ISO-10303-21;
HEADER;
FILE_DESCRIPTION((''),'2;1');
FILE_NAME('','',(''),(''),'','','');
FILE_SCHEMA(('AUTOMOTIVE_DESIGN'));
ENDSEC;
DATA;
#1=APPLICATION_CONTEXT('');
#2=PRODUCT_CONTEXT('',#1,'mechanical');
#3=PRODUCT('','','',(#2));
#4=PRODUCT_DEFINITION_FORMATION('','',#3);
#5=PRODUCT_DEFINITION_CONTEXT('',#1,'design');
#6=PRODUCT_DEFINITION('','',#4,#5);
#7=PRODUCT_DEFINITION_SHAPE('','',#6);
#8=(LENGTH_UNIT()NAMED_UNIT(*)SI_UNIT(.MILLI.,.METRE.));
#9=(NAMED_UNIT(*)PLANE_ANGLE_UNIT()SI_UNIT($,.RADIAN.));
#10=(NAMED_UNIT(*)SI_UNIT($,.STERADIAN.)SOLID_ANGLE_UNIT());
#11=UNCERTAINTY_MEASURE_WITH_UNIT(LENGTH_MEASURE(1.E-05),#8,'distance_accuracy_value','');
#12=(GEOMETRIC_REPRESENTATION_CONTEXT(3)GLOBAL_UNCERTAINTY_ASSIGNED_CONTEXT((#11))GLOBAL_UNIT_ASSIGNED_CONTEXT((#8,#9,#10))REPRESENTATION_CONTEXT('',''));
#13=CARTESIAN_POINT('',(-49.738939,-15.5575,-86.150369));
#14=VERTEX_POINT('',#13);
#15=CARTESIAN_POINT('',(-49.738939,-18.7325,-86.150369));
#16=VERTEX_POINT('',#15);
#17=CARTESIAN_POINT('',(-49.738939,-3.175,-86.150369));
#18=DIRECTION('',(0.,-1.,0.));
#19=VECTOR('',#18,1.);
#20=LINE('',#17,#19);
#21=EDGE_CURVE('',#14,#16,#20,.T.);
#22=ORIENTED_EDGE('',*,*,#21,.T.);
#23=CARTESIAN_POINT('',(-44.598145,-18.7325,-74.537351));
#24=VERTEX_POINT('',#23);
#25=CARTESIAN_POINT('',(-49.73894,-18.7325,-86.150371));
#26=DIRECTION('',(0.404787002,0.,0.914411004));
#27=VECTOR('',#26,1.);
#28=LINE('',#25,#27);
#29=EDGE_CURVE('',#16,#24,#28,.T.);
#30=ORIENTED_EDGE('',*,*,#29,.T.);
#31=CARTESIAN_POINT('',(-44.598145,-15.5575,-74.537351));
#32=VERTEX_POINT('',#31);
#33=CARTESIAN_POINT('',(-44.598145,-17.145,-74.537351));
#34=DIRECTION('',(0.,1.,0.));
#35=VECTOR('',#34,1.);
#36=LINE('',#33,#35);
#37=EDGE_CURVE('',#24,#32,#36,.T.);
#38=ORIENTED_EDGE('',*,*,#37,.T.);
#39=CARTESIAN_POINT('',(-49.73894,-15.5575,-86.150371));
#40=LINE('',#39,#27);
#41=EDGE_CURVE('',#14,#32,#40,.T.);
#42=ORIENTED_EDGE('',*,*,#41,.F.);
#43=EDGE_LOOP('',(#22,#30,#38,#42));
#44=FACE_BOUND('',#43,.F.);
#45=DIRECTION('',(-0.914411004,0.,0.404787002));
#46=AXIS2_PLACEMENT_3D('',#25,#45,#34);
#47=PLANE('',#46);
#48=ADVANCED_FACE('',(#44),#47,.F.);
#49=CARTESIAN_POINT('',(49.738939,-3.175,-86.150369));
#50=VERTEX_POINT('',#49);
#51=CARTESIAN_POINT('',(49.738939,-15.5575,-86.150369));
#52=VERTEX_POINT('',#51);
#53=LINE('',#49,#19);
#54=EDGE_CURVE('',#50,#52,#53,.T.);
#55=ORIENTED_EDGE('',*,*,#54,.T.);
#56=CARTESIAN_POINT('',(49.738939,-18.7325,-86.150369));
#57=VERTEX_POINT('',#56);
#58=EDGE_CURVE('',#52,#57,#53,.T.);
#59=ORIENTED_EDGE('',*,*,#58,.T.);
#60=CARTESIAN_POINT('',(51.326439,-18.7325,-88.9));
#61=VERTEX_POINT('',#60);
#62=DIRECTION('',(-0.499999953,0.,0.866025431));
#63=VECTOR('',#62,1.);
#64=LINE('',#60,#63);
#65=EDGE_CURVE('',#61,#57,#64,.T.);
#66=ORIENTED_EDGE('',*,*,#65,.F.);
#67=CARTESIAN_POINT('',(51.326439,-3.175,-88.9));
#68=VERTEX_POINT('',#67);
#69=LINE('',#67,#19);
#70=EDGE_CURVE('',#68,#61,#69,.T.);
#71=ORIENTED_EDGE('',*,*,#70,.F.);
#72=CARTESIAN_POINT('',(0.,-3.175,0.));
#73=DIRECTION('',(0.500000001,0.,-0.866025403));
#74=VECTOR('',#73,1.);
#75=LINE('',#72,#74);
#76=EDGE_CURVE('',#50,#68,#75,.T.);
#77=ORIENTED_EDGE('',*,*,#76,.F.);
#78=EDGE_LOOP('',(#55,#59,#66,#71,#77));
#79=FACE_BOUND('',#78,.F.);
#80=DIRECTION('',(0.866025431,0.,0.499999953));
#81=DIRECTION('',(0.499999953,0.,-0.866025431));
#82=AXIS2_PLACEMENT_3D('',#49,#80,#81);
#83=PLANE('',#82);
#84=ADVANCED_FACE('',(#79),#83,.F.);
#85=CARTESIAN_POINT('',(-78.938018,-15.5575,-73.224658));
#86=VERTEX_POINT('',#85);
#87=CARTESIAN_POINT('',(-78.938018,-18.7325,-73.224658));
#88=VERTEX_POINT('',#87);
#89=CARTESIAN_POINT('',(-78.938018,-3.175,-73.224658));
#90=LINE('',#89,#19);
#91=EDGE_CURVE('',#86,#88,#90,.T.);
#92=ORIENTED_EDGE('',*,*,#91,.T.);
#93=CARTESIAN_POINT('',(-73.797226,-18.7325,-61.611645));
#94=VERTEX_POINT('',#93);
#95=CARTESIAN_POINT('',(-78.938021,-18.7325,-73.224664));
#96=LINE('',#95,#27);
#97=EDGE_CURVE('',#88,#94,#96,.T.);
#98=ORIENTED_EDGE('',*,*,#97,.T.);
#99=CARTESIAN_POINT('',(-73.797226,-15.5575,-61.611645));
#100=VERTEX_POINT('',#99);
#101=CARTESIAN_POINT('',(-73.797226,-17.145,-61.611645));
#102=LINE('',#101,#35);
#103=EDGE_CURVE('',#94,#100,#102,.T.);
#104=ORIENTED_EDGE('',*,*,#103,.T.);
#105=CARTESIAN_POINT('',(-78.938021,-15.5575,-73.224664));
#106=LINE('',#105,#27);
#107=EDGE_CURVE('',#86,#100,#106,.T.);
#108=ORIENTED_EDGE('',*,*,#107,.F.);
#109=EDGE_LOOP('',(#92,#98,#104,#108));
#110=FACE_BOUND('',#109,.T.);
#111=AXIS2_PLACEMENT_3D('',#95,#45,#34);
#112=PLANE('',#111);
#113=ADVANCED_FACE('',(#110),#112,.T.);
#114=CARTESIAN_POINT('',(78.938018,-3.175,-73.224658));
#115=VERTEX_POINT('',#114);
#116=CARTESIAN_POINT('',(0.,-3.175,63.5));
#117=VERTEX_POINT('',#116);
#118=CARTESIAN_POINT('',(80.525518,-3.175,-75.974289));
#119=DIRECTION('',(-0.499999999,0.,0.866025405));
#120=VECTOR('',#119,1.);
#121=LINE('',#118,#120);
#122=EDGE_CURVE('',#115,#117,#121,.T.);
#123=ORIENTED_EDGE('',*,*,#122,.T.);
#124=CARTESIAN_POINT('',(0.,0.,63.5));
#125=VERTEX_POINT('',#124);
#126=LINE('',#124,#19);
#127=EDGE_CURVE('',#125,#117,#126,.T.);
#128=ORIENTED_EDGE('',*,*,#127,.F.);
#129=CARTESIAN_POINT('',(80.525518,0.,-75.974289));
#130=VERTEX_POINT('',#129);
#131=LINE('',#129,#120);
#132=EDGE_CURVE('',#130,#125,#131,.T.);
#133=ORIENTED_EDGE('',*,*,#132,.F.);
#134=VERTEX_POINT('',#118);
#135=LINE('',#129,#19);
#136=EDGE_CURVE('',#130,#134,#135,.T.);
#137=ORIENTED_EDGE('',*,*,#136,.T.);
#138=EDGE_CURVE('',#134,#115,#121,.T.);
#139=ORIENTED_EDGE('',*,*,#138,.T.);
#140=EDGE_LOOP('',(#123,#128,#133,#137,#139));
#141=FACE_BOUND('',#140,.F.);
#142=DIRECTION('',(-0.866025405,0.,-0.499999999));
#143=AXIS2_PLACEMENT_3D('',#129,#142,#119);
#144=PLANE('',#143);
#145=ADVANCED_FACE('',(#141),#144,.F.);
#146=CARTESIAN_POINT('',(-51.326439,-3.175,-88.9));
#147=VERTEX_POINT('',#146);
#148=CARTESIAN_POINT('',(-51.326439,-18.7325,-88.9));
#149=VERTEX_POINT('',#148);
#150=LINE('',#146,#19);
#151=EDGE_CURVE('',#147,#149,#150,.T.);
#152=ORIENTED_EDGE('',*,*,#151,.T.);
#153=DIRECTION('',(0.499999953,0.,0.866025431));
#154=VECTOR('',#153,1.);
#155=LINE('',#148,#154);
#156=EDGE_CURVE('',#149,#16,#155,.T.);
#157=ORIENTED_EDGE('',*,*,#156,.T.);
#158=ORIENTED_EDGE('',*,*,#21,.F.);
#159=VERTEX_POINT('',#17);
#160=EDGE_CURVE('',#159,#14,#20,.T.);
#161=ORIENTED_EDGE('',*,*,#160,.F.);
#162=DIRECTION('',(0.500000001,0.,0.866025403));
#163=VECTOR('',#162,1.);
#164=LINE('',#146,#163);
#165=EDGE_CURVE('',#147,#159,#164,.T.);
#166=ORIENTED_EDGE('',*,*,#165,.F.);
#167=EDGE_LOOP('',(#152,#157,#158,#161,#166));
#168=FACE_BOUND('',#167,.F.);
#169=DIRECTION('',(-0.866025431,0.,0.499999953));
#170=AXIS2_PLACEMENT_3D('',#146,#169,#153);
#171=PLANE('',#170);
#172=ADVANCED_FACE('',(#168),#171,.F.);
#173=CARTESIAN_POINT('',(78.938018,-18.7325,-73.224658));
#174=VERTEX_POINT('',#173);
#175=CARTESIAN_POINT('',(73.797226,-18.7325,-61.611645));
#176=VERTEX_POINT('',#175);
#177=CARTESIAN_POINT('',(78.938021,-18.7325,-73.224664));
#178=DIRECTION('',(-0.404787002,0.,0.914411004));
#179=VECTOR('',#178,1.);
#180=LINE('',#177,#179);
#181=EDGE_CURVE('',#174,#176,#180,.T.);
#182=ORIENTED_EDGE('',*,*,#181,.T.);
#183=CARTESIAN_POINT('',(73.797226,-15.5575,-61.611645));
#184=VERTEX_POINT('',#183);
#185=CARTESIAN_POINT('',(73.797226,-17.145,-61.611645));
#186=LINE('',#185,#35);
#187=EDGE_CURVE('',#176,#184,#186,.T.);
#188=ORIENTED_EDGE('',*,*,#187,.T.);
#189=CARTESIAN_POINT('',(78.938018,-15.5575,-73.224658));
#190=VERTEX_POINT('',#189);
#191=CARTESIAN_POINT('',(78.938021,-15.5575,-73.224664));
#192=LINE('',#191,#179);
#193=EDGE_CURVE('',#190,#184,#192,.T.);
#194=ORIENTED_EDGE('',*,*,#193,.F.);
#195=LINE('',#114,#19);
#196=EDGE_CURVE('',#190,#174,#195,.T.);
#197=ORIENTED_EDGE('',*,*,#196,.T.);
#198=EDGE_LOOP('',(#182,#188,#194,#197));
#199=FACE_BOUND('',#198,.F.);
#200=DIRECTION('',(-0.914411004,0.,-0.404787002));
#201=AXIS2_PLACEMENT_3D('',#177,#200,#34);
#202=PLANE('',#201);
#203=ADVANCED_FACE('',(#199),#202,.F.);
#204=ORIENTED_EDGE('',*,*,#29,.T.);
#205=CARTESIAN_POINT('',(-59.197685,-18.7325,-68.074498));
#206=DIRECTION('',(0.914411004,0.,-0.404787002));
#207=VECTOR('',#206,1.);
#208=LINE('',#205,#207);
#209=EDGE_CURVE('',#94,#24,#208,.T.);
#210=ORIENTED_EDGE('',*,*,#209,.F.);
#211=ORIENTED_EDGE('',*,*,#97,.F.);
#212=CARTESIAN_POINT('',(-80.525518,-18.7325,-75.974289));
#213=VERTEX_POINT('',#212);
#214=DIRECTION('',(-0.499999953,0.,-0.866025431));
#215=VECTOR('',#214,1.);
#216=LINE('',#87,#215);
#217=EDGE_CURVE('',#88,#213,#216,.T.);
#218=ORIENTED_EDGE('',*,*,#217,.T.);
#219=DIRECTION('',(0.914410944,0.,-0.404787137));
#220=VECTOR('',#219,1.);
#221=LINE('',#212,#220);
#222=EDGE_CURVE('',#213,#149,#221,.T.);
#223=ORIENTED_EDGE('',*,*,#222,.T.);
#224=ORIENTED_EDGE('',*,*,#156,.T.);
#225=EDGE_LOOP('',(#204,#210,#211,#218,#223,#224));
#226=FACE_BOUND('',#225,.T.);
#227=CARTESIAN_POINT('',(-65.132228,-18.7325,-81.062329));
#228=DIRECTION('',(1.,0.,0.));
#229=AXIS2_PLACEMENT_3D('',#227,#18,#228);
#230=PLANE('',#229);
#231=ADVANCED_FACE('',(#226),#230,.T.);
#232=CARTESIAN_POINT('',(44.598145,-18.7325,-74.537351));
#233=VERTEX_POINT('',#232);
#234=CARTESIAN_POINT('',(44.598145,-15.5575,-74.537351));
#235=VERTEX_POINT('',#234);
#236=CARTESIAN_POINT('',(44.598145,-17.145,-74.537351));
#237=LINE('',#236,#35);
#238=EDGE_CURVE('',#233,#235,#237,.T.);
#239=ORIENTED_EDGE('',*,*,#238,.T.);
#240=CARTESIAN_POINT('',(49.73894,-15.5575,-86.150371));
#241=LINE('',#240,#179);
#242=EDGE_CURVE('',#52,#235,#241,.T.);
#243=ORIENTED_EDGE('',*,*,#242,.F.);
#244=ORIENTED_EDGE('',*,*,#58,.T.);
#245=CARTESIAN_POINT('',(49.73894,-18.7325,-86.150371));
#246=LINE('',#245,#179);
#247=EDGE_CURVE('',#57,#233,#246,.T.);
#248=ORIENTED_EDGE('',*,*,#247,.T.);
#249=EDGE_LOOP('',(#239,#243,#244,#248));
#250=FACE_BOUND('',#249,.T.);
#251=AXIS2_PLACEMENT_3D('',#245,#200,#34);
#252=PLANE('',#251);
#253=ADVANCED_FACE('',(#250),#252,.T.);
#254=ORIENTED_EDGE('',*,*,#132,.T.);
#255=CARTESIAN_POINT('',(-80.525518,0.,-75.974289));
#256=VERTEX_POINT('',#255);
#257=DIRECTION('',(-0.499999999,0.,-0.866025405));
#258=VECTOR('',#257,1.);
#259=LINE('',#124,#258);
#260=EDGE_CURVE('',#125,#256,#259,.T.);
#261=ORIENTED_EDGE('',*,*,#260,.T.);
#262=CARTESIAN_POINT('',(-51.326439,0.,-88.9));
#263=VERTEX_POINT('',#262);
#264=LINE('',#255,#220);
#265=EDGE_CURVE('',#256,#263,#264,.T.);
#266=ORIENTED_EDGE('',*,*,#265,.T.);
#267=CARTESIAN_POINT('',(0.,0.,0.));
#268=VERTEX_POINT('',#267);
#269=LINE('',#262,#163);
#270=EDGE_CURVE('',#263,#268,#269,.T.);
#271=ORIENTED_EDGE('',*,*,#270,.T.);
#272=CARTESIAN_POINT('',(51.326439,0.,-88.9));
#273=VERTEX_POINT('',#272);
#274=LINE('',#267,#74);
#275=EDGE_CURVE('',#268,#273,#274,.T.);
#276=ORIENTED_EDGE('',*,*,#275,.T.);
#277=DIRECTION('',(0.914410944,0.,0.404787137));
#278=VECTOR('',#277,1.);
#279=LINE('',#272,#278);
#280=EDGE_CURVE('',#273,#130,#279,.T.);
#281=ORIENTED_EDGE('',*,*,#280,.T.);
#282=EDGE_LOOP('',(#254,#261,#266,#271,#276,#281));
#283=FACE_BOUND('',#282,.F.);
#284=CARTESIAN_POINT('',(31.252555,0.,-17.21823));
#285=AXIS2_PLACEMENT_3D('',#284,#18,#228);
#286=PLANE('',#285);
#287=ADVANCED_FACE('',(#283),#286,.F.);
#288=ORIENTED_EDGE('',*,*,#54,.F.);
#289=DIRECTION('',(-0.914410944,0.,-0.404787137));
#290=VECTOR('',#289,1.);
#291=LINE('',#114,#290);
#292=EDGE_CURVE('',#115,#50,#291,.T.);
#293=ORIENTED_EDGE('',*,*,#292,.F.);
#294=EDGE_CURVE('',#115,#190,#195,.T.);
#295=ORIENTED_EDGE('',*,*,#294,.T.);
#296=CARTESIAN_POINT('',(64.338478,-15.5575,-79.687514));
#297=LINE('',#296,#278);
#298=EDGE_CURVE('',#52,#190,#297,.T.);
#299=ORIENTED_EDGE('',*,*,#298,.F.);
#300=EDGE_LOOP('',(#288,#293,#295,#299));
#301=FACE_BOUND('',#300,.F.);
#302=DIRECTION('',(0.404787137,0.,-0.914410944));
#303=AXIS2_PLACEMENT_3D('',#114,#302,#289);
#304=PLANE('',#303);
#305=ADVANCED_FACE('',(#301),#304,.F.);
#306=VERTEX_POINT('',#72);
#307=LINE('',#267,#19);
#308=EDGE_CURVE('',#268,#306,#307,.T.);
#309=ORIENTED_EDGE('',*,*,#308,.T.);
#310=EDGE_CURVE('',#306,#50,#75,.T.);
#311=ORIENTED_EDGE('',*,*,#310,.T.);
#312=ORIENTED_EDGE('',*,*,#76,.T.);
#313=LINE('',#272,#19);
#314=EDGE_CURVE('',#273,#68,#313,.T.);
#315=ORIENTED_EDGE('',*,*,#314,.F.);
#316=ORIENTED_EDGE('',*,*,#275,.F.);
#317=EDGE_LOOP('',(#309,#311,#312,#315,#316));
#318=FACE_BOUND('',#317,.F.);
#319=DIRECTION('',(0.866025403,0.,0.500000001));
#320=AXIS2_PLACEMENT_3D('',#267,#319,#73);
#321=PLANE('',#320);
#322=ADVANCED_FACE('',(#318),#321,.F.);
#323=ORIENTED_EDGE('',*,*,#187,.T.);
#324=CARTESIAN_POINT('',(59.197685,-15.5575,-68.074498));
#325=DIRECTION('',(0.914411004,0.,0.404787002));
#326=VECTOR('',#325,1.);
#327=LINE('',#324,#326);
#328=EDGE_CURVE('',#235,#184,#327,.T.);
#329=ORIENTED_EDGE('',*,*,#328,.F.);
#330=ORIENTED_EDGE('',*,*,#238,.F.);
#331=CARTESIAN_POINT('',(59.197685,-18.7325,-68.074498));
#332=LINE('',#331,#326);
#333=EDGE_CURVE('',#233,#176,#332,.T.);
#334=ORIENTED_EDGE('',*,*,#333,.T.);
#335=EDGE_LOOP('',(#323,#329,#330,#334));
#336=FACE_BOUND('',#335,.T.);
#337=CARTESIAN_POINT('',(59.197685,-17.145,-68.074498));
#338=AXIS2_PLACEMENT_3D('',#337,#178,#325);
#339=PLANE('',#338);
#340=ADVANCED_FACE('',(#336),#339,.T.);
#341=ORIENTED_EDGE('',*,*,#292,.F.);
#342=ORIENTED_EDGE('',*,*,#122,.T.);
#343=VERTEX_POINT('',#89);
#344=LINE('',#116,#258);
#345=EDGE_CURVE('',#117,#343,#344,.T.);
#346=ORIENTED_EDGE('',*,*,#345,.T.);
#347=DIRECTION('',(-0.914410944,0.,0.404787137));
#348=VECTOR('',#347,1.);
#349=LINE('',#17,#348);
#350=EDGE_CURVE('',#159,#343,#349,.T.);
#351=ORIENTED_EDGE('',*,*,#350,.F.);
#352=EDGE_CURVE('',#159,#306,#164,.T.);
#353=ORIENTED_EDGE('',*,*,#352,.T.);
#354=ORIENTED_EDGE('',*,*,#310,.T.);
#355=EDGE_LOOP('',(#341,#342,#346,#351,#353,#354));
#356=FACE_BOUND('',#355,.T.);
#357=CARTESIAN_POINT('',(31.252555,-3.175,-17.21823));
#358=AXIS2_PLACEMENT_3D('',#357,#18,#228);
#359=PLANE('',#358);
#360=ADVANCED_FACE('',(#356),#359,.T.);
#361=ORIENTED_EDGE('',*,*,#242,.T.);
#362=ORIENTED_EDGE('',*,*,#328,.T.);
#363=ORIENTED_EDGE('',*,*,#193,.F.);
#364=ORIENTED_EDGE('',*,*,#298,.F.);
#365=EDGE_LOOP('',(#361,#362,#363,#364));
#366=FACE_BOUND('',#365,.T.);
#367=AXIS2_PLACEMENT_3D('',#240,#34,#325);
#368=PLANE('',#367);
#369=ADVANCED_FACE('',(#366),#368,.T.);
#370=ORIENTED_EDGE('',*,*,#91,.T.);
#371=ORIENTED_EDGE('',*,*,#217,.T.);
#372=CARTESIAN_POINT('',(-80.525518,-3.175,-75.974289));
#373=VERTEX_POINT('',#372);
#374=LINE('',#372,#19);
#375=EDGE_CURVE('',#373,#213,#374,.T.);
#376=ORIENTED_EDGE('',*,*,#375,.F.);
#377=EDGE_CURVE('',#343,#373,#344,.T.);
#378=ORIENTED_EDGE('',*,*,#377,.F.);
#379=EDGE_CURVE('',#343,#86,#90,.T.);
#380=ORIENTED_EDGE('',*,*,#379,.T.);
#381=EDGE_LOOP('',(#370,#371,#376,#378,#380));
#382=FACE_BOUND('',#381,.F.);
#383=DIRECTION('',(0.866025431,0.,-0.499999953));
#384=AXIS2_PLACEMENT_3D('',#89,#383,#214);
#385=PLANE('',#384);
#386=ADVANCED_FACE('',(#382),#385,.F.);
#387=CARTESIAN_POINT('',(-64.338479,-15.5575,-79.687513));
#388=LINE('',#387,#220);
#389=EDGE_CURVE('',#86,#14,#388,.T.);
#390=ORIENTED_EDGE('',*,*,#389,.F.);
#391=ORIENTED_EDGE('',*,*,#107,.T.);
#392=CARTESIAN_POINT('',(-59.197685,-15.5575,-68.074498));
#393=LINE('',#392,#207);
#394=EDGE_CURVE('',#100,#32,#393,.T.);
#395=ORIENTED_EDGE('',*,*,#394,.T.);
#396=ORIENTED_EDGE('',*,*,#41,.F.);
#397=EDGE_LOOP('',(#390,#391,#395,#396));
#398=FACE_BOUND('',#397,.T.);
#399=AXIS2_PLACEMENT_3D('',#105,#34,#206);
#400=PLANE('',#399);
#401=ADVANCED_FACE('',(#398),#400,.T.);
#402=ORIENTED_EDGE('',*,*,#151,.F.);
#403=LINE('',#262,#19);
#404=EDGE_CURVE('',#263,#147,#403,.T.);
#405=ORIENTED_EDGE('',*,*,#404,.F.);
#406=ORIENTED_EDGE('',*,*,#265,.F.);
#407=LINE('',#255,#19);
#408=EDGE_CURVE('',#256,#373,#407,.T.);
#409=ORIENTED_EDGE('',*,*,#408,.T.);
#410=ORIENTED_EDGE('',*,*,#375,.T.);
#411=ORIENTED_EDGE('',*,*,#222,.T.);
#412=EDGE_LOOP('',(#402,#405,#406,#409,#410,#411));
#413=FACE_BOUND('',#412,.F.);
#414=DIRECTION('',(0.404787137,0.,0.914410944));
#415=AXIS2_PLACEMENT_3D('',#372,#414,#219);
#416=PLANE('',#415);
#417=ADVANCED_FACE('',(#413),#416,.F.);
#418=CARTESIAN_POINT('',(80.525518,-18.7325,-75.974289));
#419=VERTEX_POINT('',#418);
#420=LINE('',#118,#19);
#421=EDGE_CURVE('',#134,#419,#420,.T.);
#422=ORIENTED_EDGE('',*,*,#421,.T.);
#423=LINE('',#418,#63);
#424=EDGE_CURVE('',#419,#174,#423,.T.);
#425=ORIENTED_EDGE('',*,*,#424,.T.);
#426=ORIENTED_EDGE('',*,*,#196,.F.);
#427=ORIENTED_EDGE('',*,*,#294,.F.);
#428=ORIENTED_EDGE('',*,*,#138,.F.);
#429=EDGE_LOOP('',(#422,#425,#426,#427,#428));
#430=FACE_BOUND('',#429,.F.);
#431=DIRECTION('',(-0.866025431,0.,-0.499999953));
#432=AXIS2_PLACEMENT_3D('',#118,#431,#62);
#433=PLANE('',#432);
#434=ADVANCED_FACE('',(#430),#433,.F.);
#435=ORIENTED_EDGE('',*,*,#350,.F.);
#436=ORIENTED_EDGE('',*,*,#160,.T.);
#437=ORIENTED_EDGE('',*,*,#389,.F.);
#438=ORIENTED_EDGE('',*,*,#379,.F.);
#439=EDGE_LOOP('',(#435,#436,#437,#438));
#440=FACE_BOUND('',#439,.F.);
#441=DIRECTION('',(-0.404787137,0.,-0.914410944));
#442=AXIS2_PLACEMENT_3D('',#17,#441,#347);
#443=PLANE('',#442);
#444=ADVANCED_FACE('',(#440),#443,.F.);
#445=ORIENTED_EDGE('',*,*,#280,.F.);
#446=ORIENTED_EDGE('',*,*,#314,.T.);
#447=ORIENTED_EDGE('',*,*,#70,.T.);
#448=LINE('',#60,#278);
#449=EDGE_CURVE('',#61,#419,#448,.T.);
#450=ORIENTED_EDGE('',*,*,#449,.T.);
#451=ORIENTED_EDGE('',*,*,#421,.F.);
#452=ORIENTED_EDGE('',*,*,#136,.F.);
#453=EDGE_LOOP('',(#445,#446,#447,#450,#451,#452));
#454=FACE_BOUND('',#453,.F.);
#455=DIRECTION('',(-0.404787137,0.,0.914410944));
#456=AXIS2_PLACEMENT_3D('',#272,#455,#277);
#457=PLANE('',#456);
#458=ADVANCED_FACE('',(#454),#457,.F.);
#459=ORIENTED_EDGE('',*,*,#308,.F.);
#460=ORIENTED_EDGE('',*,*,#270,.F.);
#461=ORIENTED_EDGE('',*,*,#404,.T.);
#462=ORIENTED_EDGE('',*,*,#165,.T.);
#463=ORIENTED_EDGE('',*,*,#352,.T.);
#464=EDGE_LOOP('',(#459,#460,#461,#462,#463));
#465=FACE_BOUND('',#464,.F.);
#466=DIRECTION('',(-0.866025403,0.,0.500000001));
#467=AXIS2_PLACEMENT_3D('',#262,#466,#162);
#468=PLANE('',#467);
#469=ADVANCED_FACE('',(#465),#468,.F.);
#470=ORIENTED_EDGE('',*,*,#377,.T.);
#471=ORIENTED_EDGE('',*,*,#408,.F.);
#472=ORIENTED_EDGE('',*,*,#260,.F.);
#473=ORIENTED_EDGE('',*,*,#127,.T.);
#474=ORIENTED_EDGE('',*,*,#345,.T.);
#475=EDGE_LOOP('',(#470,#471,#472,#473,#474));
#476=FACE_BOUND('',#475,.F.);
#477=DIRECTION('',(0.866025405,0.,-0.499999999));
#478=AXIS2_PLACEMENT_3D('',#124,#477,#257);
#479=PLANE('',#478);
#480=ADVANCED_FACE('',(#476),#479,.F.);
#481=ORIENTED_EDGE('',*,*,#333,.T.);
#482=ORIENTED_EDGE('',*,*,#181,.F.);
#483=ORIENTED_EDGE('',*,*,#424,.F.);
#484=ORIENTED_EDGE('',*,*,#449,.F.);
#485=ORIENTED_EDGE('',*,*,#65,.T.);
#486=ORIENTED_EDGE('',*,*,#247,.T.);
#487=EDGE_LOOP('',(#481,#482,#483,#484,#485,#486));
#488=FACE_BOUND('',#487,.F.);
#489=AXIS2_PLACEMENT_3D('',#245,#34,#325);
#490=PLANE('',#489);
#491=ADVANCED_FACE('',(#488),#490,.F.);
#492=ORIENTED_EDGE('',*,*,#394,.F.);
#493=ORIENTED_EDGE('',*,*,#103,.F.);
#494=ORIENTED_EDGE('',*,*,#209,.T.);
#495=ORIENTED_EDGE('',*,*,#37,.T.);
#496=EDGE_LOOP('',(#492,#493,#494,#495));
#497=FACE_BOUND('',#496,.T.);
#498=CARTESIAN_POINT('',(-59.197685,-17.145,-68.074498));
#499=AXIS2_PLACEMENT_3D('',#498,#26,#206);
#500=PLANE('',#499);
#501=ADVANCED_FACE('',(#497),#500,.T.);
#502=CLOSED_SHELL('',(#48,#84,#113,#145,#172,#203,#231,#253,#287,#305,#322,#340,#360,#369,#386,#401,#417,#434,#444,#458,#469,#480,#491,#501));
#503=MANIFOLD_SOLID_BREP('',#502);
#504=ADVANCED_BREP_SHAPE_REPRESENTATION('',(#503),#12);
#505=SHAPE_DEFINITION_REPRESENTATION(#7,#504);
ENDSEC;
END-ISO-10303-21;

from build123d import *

# Parameters (mm, degrees)
F1_DEPTH = 3.175
F3_DEPTH = 15.5575
F4_W     = 31.932119
F4_H     = 3.175
F5_DEPTH = 12.7
F6_W     = 31.932119
F6_H     = 3.175
F7_DEPTH = 12.7


with BuildPart() as f1:
    # F0 (on Front) → F1 (new body)
    with BuildSketch(Plane.XZ):
        Polygon((0, 63.5), (0, 0), (51.326439, -88.9), (80.525518, -75.974289), align=None)
        Polygon((-51.326439, -88.9), (0, 0), (0, 63.5), (-80.525518, -75.974289), align=None)
    extrude(amount=F1_DEPTH)

    # F2 (on face) → F3 (join)
    with BuildSketch(Plane.XZ.offset(3.175)):
        Polygon((-78.938018, -73.224658), (-80.525518, -75.974289), (-51.326439, -88.9), (-49.738939, -86.150369), align=None)
        Polygon((49.738939, -86.150369), (51.326439, -88.9), (80.525518, -75.974289), (78.938018, -73.224658), align=None)
    extrude(amount=F3_DEPTH)

    # F4 (on face) → F5 (join)
    with BuildSketch(Plane(origin=(-40.037708, 0, -90.444865), x_dir=(0.914411, 0, -0.404787), z_dir=(0.404787, 0, 0.914411))):
        with Locations((-26.575328, -17.145)):
            Rectangle(F4_W, F4_H)
    extrude(amount=F5_DEPTH)

    # F6 (on face) → F7 (join)
    with BuildSketch(Plane(origin=(40.037708, 0, -90.444865), x_dir=(0.914411, 0, 0.404787), z_dir=(-0.404787, 0, 0.914411))):
        with Locations((26.575328, -17.145)):
            Rectangle(F6_W, F6_H)
    extrude(amount=F7_DEPTH)


solid = f1.part
